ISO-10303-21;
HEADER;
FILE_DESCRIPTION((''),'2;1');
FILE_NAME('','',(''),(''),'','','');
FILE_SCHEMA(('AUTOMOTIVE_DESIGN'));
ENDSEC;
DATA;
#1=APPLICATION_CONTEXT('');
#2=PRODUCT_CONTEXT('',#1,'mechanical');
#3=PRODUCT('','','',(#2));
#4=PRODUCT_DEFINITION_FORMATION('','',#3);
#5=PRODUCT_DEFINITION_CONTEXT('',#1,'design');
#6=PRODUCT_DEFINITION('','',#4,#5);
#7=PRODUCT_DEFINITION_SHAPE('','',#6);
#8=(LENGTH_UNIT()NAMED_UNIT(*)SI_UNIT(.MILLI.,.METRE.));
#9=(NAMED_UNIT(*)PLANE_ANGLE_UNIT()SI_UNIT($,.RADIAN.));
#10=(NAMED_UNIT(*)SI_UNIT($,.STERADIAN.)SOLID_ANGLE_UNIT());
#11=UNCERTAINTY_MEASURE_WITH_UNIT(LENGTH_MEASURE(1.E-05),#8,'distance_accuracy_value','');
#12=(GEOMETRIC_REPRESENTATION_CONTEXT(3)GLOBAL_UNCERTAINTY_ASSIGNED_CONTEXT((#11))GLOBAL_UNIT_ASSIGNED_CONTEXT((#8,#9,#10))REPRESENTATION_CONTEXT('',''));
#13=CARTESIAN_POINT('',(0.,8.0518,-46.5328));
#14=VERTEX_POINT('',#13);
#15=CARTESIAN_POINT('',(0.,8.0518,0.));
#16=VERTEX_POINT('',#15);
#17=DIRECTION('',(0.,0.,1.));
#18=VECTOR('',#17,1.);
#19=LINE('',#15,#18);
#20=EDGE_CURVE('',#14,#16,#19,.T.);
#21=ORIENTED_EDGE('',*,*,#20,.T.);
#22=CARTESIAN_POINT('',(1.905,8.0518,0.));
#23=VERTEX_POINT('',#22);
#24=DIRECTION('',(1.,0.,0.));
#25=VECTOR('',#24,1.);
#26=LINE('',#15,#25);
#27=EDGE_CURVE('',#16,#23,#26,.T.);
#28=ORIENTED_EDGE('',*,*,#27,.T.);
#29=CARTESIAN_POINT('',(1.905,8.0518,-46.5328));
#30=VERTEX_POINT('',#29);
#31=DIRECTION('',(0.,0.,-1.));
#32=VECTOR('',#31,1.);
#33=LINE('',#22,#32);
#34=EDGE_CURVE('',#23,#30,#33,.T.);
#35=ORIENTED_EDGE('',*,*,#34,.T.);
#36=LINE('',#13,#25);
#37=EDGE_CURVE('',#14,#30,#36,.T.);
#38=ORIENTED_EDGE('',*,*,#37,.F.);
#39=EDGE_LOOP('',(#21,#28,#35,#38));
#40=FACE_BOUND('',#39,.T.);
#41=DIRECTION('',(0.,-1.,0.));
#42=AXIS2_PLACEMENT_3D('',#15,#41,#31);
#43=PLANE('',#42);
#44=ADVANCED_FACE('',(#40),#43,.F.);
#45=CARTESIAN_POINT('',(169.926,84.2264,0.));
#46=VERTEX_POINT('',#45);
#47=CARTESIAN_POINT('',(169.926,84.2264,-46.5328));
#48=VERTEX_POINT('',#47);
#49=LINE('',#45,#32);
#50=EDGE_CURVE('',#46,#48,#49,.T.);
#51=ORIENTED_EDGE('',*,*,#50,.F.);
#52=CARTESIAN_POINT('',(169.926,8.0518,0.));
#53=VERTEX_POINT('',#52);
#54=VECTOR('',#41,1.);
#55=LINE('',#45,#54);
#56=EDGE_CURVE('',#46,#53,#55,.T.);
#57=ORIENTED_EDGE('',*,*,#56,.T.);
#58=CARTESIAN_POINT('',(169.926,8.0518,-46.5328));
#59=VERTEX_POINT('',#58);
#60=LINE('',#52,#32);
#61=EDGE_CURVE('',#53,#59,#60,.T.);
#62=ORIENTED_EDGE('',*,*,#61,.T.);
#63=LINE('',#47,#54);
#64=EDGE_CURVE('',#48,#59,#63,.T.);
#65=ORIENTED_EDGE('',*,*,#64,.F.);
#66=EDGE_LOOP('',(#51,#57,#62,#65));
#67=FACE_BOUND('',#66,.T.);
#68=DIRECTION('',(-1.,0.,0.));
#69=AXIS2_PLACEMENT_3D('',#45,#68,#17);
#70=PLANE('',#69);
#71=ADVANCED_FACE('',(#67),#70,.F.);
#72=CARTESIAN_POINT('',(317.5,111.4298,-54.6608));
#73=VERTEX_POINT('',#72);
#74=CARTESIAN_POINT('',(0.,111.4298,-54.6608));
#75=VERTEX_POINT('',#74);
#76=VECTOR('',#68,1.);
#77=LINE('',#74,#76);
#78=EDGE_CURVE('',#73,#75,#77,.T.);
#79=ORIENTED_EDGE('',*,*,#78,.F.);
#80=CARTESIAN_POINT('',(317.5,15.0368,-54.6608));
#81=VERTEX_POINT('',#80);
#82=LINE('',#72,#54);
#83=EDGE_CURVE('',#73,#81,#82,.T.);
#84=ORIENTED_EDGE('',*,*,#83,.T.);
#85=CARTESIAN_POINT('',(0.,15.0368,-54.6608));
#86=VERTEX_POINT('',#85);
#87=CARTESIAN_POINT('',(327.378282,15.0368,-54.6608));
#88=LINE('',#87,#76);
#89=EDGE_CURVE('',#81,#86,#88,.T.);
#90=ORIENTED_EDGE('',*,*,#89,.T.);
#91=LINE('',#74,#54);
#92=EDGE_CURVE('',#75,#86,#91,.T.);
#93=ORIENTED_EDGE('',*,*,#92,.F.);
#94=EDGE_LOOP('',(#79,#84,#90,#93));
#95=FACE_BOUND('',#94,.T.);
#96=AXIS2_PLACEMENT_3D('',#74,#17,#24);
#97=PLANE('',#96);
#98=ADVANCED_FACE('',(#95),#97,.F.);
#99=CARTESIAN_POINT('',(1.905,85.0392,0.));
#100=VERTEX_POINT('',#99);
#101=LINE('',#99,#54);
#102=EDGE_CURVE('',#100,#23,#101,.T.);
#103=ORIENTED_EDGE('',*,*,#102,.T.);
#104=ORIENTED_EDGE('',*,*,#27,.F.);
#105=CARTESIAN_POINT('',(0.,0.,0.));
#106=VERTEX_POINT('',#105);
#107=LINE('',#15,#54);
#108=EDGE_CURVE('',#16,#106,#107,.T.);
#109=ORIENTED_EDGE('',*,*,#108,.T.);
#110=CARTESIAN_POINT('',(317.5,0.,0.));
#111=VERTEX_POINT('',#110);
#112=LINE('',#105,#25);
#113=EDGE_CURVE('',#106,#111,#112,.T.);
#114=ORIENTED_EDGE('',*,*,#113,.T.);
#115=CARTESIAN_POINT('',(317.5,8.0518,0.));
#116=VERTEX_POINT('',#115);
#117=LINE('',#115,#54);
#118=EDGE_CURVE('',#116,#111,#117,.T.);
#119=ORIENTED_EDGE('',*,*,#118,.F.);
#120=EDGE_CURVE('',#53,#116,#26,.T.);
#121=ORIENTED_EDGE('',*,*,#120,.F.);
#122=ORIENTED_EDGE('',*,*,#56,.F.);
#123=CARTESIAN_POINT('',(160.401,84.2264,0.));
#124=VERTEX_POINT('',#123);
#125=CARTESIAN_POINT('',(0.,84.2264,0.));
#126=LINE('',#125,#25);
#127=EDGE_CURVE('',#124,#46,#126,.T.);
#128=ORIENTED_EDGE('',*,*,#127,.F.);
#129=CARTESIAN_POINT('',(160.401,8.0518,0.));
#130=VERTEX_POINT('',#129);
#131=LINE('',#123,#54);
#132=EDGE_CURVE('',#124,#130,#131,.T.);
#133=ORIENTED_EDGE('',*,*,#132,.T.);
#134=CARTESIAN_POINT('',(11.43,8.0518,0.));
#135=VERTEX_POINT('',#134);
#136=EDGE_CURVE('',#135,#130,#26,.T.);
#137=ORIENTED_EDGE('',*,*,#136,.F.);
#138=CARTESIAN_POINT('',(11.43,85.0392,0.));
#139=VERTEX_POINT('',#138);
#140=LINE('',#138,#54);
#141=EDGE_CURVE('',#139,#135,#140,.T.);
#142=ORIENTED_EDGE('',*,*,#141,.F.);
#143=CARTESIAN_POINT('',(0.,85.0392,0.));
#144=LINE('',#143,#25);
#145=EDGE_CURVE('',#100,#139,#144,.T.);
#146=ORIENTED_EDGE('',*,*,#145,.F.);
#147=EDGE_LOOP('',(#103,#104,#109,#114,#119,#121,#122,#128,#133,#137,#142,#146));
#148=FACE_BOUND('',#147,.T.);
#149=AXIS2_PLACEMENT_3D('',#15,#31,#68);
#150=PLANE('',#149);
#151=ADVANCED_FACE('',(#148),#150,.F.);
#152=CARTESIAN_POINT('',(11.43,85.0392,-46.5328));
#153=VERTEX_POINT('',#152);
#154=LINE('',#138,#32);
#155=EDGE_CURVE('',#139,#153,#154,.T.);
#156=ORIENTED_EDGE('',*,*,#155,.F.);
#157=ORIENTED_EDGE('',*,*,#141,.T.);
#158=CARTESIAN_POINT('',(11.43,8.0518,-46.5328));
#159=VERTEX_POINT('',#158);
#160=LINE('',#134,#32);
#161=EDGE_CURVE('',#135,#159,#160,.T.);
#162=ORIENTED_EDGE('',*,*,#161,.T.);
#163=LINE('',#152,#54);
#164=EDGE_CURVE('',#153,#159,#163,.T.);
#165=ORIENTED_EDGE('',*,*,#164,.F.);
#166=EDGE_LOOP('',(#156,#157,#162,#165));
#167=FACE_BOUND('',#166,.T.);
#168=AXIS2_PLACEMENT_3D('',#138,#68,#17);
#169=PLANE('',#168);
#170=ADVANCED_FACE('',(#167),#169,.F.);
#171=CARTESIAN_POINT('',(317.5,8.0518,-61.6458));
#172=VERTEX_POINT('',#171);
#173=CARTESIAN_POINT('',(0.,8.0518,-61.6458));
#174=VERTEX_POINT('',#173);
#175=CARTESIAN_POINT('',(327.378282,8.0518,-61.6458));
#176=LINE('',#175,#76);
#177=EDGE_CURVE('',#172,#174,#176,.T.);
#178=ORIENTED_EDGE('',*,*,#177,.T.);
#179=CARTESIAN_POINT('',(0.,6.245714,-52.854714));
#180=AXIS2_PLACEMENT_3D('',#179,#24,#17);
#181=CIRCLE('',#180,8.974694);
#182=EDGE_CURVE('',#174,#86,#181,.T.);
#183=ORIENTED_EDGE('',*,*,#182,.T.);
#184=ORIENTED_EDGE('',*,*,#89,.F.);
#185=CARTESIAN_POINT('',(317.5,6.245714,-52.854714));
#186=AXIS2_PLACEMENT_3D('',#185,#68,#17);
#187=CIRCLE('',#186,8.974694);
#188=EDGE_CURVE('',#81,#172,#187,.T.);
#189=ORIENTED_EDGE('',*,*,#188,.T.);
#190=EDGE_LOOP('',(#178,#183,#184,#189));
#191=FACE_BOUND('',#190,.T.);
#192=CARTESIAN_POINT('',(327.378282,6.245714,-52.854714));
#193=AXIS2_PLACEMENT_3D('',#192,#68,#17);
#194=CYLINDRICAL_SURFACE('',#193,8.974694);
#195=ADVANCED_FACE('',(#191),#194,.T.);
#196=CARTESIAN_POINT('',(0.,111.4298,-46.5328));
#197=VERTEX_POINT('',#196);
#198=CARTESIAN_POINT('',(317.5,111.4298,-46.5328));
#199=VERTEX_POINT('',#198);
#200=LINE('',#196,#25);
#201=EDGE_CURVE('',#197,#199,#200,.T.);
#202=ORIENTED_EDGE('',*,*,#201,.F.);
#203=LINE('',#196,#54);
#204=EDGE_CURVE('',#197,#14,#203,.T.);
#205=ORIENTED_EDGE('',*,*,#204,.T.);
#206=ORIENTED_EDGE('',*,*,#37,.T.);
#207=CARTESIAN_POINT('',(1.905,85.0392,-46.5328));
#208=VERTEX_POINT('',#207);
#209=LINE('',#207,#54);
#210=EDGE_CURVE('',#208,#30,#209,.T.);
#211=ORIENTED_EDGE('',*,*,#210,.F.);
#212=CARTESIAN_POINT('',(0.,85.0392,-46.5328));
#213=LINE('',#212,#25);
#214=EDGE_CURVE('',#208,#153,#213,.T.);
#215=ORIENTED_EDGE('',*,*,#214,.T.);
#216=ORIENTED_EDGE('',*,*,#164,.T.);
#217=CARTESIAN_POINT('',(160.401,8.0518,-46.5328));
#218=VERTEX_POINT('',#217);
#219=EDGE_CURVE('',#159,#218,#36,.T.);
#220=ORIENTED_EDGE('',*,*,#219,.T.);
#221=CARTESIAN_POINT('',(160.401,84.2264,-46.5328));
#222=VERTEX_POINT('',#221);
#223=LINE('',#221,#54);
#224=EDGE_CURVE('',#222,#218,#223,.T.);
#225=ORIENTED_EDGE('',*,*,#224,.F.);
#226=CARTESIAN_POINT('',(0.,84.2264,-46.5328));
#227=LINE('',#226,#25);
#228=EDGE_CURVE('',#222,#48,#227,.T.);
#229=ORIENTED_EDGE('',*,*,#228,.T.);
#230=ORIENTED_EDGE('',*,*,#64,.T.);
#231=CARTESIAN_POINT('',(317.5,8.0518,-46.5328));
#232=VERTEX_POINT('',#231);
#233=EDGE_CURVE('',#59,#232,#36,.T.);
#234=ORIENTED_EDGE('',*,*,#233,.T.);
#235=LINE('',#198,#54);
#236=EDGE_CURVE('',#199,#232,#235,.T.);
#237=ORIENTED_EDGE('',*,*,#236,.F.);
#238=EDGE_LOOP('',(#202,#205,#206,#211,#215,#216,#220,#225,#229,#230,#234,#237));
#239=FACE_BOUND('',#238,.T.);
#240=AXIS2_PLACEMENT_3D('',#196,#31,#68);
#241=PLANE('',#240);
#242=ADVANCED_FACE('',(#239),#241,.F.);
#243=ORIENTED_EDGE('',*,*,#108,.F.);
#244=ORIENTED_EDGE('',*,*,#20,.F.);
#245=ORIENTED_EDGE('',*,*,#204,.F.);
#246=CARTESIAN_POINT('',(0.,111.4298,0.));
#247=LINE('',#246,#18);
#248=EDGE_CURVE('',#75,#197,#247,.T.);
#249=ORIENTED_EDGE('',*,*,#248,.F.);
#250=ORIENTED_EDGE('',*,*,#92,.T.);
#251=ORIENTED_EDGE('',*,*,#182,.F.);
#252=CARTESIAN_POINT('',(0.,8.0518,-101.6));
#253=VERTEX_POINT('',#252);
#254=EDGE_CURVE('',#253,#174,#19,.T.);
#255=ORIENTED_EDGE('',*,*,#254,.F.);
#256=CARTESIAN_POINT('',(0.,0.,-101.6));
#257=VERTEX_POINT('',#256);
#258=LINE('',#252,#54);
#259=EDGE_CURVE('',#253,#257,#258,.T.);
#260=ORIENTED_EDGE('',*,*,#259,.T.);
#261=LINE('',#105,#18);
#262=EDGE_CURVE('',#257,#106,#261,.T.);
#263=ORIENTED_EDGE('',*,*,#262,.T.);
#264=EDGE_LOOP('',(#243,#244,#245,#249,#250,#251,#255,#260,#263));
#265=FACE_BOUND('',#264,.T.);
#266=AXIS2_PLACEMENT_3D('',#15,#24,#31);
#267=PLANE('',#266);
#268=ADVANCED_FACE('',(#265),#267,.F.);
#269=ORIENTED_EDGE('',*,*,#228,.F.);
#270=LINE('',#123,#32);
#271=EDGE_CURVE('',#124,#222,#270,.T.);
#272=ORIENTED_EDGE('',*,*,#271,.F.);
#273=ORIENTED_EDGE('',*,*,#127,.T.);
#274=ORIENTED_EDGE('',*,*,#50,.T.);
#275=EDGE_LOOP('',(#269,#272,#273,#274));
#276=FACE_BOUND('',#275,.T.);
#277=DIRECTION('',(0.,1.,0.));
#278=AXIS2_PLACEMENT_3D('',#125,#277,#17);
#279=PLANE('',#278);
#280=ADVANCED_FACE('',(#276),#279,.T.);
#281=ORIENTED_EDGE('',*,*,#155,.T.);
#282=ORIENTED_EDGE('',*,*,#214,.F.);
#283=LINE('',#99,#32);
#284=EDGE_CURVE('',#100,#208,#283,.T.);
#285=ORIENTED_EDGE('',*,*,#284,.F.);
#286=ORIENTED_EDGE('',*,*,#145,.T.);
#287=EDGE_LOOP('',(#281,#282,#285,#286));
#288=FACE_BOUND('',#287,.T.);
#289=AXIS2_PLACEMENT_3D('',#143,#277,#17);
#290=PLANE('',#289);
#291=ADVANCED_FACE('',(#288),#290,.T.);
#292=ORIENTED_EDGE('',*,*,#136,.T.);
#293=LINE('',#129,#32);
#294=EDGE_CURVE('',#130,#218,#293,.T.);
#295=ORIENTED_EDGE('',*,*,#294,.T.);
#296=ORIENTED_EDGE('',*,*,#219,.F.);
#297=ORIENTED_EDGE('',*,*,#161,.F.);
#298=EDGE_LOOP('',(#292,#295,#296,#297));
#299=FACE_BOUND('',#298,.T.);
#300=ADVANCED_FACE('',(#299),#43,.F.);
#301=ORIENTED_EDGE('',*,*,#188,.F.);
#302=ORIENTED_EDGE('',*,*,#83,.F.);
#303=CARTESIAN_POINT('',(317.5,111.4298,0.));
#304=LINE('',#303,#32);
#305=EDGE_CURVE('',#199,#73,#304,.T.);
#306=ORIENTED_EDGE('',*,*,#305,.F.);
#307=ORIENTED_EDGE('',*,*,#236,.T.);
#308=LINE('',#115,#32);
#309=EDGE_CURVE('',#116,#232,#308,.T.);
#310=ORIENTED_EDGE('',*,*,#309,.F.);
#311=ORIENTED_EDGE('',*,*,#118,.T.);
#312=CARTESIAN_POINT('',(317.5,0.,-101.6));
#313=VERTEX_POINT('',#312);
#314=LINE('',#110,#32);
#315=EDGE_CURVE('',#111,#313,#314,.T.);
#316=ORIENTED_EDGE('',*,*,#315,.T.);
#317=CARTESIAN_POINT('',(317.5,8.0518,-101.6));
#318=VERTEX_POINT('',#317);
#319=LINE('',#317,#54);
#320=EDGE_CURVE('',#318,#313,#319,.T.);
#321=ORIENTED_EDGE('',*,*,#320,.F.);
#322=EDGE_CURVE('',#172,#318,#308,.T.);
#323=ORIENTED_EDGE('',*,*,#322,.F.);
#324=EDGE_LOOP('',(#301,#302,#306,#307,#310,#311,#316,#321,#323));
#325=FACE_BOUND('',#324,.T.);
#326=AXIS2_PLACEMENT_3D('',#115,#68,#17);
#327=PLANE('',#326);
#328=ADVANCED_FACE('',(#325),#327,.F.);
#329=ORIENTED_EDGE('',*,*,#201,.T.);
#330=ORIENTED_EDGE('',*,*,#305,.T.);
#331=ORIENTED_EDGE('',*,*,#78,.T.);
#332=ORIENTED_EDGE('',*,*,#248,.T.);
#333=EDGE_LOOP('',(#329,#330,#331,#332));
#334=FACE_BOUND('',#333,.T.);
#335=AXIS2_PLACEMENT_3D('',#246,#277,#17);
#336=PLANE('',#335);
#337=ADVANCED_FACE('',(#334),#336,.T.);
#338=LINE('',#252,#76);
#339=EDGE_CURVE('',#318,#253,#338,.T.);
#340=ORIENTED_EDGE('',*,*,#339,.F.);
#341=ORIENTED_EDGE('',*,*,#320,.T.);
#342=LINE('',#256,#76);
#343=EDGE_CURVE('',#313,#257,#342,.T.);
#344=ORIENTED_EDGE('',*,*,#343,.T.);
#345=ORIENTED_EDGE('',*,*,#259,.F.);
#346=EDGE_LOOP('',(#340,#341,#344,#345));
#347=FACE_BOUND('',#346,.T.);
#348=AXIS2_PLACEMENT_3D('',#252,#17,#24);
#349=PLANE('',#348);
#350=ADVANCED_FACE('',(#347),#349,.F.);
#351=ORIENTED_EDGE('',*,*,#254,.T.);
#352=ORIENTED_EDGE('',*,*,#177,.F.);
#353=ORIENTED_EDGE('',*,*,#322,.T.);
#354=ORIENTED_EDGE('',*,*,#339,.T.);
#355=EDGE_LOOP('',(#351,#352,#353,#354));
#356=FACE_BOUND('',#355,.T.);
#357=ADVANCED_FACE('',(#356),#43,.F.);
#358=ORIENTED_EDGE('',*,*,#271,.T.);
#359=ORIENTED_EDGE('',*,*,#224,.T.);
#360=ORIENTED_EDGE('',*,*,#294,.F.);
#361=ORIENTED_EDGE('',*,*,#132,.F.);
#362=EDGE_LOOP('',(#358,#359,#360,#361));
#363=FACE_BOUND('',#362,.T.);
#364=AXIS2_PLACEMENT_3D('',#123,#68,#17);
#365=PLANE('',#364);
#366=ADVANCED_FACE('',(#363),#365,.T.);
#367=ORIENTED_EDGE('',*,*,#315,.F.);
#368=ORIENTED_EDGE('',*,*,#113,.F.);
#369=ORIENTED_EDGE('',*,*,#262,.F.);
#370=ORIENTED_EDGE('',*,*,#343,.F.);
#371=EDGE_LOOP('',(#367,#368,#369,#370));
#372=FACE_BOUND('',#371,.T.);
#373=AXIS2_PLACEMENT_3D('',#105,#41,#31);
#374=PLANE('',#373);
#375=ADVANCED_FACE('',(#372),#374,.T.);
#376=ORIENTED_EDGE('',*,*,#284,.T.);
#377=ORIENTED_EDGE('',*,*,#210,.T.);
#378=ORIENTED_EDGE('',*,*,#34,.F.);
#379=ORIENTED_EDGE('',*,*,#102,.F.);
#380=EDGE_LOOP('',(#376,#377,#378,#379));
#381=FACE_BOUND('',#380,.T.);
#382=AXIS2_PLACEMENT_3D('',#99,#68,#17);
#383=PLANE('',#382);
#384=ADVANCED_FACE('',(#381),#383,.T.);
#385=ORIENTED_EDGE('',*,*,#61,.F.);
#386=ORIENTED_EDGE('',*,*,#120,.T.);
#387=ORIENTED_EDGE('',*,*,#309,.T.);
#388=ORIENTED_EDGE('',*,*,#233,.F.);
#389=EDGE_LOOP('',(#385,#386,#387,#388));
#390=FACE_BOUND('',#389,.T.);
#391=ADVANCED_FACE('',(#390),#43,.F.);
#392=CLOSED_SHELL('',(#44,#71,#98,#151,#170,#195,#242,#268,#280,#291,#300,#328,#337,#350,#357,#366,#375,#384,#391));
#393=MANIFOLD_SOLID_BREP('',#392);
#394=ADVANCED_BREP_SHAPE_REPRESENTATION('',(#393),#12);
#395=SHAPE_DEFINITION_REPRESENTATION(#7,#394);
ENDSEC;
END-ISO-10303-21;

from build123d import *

# Parameters (mm, degrees)
SKETCH1_W           = 317.5
SKETCH1_H           = 101.6
BOSS_EXTRUDE1_DEPTH = 8.0518
BOSS_EXTRUDE2_START = 8.0518
SKETCH2_W           = 317.5
SKETCH2_H           = 8.128
BOSS_EXTRUDE2_DEPTH = 103.378
BOSS_EXTRUDE3_START = 8.0518
SKETCH3_W           = 9.525
SKETCH3_H           = 46.5328
BOSS_EXTRUDE3_DEPTH = 76.9874
BOSS_EXTRUDE4_START = 8.0518
SKETCH3_3_W         = 9.525
SKETCH3_3_H         = 46.5328
BOSS_EXTRUDE4_DEPTH = 76.1746
BOSS_EXTRUDE5_DEPTH = 317.5


with BuildPart() as part:
    # Sketch1 → Boss-Extrude1 (new body)
    with BuildSketch(Plane(origin=(0, 0, 0), x_dir=(1, 0, 0), z_dir=(0, 1, 0))):
        with Locations((158.75, 50.8)):
            Rectangle(SKETCH1_W, SKETCH1_H)
    extrude(amount=BOSS_EXTRUDE1_DEPTH)

    # Sketch2 → Boss-Extrude2 (add)
    with BuildSketch(Plane(origin=(0, 0, 0), x_dir=(1, 0, 0), z_dir=(0, 1, 0)).offset(BOSS_EXTRUDE2_START)):
        with Locations((158.75, 50.5968)):
            Rectangle(SKETCH2_W, SKETCH2_H)
    extrude(amount=BOSS_EXTRUDE2_DEPTH)

    # Sketch3 → Boss-Extrude3 (add)
    with BuildSketch(Plane(origin=(0, 0, 0), x_dir=(1, 0, 0), z_dir=(0, 1, 0)).offset(BOSS_EXTRUDE3_START)):
        with Locations((6.6675, 23.2664)):
            Rectangle(SKETCH3_W, SKETCH3_H)
    extrude(amount=BOSS_EXTRUDE3_DEPTH)

    # Sketch3<3> → Boss-Extrude4 (add)
    with BuildSketch(Plane(origin=(0, 0, 0), x_dir=(1, 0, 0), z_dir=(0, 1, 0)).offset(BOSS_EXTRUDE4_START)):
        with Locations((165.1635, 23.2664)):
            Rectangle(SKETCH3_3_W, SKETCH3_3_H)
    extrude(amount=BOSS_EXTRUDE4_DEPTH)

    # Sketch4 → Boss-Extrude5 (add)
    with BuildSketch(Plane(origin=(0, 0, 0), x_dir=(0, 0, -1), z_dir=(1, 0, 0))):
        with BuildLine():
            Line((61.6458, 8.0518), (54.6608, 8.0518))
            Line((54.6608, 8.0518), (54.6608, 15.0368))
            ThreePointArc((54.6608, 15.0368), (59.20078128, 12.59178128), (61.6458, 8.0518))
        make_face()
    extrude(amount=BOSS_EXTRUDE5_DEPTH)


solid = part.part
